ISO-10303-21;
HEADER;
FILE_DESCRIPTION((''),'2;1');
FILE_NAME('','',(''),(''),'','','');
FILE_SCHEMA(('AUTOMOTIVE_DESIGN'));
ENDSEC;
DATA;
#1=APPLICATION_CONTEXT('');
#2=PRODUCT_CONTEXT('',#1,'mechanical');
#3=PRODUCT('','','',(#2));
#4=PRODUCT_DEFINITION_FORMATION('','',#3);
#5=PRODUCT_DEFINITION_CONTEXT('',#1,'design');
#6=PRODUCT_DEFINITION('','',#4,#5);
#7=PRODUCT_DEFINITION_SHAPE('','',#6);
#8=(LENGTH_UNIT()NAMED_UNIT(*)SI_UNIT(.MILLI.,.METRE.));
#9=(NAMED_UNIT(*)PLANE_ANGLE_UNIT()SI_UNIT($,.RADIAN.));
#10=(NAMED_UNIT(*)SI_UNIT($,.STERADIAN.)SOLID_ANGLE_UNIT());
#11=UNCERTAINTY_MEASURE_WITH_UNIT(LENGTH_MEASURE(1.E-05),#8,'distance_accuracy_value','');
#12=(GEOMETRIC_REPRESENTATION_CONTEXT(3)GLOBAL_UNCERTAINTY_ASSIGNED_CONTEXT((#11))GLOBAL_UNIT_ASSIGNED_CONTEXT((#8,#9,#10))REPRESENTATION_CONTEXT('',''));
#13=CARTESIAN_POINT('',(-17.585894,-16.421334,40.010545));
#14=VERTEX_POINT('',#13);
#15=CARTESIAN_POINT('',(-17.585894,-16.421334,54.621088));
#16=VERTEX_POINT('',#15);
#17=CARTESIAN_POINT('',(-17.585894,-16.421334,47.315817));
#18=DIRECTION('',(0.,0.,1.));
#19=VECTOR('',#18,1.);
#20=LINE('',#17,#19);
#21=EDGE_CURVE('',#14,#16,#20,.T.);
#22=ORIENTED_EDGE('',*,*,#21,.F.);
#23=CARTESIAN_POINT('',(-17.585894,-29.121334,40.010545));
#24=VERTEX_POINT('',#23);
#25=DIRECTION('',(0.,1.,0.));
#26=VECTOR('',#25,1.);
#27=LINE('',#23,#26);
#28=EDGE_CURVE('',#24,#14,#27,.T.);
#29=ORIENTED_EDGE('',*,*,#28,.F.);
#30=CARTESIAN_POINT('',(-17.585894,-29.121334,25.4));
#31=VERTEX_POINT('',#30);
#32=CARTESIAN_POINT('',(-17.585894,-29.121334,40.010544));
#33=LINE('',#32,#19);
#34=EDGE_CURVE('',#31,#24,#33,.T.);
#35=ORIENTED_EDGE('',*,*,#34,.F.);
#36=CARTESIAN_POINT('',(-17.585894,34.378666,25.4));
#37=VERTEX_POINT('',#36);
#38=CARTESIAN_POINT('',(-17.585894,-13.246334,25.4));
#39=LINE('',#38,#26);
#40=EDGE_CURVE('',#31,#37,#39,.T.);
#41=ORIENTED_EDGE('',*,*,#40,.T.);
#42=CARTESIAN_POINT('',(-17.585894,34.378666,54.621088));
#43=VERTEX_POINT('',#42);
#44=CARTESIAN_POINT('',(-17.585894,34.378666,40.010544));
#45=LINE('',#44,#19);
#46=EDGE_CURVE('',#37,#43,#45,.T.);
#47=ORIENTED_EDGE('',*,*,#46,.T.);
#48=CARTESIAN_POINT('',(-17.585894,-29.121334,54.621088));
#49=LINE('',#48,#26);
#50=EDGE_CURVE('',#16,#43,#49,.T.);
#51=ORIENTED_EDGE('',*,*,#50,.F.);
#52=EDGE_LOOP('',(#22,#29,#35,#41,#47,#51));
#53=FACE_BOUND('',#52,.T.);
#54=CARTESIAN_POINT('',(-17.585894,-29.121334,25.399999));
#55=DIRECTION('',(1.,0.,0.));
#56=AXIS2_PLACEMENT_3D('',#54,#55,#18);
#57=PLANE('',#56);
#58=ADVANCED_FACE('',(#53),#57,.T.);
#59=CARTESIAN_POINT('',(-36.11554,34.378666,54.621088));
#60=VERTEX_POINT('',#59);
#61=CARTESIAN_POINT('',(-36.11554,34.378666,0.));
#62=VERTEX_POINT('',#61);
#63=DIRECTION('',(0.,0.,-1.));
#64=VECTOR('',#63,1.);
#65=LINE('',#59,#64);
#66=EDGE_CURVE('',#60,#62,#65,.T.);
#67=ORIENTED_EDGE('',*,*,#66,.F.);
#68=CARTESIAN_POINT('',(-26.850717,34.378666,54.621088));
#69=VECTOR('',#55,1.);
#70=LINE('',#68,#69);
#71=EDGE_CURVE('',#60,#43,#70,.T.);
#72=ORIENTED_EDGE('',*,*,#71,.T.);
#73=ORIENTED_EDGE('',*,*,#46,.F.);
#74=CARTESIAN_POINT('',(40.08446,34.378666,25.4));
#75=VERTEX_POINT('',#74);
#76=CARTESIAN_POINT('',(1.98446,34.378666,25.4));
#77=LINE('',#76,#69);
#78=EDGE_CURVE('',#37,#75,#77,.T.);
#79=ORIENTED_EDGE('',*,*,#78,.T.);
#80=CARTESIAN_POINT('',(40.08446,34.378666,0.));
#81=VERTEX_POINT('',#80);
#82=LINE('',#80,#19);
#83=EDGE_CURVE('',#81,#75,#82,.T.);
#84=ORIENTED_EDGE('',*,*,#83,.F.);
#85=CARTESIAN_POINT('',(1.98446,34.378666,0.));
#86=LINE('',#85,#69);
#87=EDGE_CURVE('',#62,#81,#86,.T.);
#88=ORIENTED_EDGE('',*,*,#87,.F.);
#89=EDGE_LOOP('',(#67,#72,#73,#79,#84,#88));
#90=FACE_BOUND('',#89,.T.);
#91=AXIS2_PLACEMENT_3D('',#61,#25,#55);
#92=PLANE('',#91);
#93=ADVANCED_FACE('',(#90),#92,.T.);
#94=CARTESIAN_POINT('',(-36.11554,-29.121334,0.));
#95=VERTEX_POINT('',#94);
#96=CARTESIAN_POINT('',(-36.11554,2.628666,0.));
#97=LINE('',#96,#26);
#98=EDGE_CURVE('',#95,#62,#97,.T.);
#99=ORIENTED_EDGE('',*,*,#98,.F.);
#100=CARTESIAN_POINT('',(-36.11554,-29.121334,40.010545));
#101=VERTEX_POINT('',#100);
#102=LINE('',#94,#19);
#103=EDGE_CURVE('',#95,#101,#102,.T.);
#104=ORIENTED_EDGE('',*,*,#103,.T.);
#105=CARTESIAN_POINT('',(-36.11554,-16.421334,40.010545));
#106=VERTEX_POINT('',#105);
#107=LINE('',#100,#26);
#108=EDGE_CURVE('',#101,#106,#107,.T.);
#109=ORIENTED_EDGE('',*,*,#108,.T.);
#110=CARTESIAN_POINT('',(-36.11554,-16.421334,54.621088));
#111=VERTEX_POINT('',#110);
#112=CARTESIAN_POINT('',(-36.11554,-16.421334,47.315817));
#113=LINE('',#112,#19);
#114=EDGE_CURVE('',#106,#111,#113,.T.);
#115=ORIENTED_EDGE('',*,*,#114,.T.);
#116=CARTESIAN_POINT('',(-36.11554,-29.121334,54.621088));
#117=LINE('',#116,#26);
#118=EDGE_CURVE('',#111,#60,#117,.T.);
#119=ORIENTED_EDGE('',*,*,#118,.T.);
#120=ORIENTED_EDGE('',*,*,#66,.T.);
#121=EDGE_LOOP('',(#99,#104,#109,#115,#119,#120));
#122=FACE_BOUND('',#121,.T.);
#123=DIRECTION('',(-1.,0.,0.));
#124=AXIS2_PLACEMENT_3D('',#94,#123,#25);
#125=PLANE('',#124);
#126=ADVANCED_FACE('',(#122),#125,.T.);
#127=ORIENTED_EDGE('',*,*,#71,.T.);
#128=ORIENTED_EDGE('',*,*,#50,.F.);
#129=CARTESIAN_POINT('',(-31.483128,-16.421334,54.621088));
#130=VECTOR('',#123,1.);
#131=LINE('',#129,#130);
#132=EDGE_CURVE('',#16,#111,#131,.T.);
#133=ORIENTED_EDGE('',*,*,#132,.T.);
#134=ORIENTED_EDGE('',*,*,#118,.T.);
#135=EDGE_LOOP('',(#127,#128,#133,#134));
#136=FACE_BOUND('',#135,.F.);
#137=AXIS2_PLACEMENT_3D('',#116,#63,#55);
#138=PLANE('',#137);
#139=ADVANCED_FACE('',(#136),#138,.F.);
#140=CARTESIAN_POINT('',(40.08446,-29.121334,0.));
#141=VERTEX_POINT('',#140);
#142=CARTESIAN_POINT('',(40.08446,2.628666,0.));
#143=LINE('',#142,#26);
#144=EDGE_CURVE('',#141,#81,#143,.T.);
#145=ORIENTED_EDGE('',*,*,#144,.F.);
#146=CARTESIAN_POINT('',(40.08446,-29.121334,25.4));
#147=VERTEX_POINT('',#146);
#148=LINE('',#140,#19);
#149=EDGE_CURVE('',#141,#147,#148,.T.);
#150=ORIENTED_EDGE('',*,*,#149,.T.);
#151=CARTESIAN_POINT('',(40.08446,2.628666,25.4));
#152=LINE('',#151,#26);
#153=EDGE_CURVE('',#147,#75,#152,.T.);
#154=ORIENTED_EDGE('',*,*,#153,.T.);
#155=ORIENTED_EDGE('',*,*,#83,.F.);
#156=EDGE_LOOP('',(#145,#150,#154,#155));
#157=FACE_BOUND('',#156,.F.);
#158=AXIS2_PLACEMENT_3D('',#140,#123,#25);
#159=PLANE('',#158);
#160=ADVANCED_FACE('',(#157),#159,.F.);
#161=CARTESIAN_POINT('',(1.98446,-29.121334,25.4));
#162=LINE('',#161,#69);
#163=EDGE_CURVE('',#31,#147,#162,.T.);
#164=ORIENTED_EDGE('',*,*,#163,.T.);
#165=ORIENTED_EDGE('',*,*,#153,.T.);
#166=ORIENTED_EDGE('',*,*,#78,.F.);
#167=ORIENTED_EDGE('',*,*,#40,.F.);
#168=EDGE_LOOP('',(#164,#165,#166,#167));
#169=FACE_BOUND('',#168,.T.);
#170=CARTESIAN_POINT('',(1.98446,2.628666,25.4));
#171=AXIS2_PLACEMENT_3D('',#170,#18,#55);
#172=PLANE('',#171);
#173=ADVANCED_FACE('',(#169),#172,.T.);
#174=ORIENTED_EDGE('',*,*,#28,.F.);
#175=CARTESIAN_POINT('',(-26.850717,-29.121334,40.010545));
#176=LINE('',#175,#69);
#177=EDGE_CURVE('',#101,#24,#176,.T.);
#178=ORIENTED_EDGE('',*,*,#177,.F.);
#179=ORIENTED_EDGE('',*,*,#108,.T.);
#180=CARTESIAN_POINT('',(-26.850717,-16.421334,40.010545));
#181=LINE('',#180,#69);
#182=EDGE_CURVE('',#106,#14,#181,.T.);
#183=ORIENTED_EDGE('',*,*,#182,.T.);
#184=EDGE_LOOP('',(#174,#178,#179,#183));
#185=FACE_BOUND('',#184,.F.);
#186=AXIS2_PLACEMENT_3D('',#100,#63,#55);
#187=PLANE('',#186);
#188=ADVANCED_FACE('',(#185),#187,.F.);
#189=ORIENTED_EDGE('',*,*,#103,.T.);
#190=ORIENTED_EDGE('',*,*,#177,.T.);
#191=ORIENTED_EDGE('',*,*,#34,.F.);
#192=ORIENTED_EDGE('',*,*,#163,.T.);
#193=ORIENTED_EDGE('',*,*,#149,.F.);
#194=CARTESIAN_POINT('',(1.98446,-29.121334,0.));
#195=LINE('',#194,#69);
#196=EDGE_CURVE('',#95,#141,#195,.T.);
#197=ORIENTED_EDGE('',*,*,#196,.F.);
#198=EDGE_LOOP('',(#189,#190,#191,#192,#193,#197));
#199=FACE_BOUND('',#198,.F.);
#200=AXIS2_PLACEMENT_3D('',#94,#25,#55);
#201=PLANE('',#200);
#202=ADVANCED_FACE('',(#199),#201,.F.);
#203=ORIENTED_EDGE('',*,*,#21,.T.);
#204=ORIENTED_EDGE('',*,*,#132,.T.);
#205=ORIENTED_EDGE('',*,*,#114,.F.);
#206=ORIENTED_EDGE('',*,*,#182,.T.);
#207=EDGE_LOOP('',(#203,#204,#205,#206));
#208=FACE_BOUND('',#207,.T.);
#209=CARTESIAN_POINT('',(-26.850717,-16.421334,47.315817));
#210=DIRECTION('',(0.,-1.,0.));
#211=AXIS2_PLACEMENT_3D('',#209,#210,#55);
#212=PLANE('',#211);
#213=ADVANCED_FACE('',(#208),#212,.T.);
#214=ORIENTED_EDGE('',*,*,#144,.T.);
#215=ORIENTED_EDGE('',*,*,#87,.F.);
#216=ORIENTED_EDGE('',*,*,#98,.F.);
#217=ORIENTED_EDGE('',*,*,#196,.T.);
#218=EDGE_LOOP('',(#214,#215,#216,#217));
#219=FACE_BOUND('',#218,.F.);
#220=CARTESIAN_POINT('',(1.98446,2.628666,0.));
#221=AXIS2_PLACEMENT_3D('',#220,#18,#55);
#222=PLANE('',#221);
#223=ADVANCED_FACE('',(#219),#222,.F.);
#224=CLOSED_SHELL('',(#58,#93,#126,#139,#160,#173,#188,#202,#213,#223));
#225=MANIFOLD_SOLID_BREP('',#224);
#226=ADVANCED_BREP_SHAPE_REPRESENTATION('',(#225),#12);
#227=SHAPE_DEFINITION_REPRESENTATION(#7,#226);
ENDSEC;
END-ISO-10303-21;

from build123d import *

# Parameters (mm, degrees)
F0_W     = 76.2
F0_H     = 63.5
F1_DEPTH = 25.4
F2_W     = 18.529646
F2_H     = 29.221089
F3_DEPTH = 63.5
F4_W     = 18.529646
F4_H     = 14.610544
F5_DEPTH = 12.7


with BuildPart() as f1:
    # F0 (on Top) → F1 (new body)
    with BuildSketch(Plane.XY):
        with Locations((1.98446, 2.628666)):
            Rectangle(F0_W, F0_H)
    extrude(amount=F1_DEPTH)

    # F2 (on face) → F3 (join)
    with BuildSketch(Plane.XZ.offset(29.121334)):
        with Locations((-26.850717, 40.010544)):
            Rectangle(F2_W, F2_H)
    extrude(amount=-F3_DEPTH)

    # F4 (on face) → F5 (cut)
    with BuildSketch(Plane.XZ.offset(29.121334)):
        with Locations((-26.850717, 47.315817)):
            Rectangle(F4_W, F4_H)
    extrude(amount=-F5_DEPTH, mode=Mode.SUBTRACT)


solid = f1.part
